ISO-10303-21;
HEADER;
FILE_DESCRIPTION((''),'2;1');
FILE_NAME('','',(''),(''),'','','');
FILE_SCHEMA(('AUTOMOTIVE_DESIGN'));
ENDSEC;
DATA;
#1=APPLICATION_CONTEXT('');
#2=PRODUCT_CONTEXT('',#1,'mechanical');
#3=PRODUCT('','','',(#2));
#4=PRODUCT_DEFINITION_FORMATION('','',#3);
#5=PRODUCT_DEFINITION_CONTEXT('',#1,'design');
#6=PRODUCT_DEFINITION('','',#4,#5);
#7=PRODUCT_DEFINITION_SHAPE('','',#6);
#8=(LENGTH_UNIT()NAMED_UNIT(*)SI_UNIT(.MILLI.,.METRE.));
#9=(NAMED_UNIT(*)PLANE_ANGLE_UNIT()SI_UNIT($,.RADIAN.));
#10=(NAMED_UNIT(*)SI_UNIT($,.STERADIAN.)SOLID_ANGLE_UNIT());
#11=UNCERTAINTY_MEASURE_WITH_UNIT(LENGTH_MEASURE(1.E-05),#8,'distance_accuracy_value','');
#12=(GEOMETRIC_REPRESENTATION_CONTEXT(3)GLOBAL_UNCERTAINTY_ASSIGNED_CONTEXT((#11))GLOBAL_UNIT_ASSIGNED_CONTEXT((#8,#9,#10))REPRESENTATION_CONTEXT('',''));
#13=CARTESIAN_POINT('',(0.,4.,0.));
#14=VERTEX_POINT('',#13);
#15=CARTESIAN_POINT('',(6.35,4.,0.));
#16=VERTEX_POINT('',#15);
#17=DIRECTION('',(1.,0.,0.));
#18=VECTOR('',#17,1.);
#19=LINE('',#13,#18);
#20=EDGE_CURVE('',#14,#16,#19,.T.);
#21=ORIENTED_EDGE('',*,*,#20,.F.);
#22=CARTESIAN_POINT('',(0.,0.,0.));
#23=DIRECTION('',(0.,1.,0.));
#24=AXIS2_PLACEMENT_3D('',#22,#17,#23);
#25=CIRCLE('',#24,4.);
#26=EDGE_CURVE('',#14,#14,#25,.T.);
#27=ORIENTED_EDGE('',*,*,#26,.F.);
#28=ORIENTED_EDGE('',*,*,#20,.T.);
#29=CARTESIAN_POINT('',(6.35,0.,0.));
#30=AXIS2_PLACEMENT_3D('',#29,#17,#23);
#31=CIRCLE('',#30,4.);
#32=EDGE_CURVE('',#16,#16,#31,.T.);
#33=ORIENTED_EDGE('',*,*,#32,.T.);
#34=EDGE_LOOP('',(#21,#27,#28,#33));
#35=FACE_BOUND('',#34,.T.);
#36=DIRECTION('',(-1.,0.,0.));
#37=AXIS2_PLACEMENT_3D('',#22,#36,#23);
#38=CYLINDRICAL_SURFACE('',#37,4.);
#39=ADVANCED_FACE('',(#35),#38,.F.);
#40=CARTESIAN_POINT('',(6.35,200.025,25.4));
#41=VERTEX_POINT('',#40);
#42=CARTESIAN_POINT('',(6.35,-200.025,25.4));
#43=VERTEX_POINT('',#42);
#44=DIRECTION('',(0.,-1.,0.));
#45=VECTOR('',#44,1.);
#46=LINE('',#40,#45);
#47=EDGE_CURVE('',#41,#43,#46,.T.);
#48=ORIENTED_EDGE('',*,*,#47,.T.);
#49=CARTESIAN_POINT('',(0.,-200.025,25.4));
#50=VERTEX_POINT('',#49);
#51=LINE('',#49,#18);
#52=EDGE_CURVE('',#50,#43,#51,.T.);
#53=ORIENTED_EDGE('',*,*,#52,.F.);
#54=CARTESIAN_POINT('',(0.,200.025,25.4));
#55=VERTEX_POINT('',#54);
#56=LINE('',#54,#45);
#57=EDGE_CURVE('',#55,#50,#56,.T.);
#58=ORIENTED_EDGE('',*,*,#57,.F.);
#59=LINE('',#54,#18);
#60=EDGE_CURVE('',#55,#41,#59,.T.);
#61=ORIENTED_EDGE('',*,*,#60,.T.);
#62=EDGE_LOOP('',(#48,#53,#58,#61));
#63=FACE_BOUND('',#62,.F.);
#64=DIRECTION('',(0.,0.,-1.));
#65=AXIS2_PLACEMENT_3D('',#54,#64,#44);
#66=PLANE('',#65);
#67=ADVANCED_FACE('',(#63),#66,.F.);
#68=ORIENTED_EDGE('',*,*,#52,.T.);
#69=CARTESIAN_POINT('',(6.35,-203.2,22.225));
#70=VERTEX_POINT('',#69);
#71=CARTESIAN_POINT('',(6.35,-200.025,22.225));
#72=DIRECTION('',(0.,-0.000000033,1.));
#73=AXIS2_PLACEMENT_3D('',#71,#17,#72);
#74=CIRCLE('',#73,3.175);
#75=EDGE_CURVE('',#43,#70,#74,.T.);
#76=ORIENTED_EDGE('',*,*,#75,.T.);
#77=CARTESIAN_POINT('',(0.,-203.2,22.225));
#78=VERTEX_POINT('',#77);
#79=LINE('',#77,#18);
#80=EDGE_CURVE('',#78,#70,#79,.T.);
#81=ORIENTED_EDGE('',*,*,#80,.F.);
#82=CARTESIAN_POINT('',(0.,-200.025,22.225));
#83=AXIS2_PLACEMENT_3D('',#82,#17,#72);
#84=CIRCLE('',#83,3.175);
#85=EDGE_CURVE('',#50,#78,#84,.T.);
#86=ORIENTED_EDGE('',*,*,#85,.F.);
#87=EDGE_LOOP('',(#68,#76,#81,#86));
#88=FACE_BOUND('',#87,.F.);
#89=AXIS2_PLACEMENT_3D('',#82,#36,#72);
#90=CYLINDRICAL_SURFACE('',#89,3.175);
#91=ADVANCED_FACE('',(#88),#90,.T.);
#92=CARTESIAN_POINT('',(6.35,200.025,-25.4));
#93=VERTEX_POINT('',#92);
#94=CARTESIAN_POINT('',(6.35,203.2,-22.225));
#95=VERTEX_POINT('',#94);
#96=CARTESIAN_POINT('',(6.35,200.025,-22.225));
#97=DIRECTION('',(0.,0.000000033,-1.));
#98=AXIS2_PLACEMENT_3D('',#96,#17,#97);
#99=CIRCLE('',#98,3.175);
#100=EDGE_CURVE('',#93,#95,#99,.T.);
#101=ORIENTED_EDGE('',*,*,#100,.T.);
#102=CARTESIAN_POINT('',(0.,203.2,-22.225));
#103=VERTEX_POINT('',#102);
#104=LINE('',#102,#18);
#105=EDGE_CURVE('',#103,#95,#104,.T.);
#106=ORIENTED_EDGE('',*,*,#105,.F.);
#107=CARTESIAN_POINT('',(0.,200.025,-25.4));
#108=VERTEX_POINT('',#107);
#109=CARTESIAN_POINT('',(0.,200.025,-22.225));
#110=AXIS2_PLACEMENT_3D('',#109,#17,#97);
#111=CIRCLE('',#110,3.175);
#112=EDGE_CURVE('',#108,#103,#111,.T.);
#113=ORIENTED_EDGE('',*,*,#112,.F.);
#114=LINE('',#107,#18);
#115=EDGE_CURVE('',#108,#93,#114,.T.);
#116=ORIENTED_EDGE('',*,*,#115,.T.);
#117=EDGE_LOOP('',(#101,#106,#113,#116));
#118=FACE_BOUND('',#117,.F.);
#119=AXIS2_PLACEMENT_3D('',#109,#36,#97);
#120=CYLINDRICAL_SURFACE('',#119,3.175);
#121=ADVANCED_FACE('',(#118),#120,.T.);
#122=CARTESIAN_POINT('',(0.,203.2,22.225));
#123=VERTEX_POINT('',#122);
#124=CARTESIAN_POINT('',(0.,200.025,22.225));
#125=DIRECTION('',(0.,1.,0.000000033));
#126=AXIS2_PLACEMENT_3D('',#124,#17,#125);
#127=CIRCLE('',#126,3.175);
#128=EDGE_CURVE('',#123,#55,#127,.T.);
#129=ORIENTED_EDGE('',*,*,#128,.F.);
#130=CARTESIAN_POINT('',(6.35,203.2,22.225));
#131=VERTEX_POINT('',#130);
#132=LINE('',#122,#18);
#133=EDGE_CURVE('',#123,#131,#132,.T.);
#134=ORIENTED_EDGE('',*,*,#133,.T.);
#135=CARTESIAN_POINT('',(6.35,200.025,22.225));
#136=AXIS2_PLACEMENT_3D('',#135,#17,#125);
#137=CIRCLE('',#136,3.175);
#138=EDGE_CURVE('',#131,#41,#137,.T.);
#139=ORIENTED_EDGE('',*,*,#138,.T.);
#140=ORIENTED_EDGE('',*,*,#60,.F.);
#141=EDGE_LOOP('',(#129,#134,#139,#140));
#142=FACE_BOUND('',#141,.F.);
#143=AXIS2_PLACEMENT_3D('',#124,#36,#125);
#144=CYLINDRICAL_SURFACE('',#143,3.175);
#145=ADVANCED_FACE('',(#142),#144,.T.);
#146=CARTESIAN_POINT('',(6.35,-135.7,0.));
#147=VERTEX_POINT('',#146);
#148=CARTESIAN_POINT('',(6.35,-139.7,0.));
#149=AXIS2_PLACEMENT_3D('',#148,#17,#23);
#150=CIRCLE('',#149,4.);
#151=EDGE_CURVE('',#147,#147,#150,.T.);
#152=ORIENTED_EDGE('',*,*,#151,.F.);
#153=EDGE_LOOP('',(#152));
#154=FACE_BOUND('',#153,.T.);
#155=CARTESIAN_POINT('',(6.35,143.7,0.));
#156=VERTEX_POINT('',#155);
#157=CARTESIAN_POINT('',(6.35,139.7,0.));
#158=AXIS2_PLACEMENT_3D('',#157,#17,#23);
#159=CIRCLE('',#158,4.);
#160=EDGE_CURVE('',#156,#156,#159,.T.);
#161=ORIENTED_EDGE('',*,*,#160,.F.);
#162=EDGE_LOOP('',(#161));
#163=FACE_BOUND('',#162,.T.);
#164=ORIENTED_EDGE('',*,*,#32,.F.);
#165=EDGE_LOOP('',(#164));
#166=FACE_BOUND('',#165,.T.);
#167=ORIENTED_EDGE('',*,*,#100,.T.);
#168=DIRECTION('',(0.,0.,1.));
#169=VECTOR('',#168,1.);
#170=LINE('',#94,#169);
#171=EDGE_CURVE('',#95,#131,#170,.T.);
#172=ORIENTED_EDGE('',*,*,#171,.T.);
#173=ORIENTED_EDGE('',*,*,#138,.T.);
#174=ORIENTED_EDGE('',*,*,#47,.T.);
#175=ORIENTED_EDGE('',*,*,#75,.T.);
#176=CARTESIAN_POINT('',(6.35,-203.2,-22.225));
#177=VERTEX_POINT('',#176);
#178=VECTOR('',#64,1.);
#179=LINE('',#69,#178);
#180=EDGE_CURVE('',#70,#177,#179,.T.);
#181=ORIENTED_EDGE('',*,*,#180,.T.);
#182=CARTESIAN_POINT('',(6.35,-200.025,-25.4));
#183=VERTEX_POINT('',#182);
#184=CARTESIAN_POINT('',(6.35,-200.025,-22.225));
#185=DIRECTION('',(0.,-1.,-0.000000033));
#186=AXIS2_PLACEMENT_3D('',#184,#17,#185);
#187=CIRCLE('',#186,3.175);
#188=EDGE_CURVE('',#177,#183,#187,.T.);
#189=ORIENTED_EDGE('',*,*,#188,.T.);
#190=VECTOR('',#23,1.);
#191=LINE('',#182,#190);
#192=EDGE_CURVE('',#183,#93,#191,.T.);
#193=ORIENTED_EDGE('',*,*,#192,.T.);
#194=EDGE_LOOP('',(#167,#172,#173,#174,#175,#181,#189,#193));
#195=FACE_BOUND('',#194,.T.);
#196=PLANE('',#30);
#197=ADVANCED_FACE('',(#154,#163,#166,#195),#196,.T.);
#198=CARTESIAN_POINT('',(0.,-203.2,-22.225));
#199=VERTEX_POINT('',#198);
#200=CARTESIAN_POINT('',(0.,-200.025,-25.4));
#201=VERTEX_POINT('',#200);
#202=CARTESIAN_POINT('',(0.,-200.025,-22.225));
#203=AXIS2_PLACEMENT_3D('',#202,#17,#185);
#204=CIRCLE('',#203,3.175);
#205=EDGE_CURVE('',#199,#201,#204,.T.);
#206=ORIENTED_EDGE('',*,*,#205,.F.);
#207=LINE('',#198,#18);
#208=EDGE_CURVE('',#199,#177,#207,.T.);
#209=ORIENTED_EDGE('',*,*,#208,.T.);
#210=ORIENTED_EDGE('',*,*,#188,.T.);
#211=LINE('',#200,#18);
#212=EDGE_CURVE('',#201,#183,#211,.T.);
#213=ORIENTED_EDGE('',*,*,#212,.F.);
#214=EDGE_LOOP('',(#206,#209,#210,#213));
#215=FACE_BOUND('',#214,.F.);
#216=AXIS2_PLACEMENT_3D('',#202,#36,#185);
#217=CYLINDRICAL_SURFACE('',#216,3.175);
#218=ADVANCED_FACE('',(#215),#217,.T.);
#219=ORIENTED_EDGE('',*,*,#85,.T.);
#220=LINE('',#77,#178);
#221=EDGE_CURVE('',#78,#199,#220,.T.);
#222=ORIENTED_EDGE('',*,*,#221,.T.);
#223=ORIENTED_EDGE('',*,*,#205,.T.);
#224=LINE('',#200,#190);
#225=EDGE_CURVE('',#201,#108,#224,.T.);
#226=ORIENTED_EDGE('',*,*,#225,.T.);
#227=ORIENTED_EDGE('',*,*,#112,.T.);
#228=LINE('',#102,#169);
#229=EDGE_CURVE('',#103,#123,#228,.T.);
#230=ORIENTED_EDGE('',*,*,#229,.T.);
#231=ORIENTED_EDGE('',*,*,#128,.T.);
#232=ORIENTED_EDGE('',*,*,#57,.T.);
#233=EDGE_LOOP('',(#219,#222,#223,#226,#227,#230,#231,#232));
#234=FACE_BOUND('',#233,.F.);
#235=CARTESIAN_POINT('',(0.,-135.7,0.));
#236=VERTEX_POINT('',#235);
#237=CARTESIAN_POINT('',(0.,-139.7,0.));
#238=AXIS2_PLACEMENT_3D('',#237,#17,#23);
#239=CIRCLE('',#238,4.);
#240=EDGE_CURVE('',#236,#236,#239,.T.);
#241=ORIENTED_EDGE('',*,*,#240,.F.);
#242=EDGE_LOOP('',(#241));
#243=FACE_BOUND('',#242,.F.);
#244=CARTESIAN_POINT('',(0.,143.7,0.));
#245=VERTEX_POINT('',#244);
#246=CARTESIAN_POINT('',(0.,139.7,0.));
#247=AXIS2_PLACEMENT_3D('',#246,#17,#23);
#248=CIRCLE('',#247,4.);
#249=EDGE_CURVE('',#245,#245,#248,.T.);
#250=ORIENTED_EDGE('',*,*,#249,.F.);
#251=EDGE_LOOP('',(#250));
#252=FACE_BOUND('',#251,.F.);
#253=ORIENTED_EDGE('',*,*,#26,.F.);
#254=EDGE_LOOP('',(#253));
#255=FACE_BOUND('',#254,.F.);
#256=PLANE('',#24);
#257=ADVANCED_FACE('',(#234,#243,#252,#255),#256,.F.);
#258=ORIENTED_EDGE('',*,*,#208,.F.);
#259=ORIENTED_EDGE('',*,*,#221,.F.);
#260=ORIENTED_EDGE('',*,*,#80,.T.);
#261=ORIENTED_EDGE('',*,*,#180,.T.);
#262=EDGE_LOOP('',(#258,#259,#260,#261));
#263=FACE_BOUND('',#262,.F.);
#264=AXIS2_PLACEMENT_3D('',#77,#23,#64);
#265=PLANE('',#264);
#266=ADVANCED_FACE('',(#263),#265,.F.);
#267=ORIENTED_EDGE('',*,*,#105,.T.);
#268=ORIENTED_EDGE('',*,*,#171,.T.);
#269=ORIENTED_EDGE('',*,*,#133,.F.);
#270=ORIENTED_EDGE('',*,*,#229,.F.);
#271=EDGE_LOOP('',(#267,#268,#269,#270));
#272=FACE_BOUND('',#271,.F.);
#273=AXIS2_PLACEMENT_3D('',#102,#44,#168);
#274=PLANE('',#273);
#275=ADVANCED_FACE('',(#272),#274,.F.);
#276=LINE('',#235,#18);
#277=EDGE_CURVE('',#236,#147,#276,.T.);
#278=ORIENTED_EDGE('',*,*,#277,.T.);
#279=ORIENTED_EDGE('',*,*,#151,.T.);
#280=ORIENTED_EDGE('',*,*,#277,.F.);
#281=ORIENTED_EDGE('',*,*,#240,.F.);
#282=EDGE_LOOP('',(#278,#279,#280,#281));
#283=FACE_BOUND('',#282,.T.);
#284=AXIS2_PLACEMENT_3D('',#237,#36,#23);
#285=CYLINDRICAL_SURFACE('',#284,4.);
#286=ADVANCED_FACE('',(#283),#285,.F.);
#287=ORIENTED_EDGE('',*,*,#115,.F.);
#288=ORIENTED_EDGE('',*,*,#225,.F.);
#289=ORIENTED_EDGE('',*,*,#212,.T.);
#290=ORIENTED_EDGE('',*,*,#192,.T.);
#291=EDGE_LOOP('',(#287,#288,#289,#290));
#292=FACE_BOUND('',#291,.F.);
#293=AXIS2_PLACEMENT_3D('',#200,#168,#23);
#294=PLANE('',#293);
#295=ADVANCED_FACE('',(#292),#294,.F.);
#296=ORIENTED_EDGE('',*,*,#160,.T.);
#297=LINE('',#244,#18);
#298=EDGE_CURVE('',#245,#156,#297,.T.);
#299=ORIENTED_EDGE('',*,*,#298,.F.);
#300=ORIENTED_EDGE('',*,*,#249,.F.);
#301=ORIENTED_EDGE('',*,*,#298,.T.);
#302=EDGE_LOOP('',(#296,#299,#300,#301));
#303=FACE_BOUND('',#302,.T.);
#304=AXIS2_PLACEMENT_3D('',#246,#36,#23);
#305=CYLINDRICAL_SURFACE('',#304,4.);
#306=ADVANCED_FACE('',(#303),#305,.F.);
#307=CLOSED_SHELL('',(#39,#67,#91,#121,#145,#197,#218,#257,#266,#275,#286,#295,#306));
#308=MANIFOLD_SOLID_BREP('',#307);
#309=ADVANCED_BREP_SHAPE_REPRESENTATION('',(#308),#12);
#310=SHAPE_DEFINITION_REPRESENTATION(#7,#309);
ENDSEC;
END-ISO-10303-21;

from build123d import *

# Parameters (mm, degrees)
F0_R     = 4
F1_DEPTH = 6.35


with BuildPart() as f1:
    # F0 (on Right) → F1 (new body)
    with BuildSketch(Plane.YZ):
        with BuildLine():
            ThreePointArc((203.2, 22.225), (202.270064, 24.470064), (200.025, 25.4))
            Line((200.025, 25.4), (-200.025, 25.4))
            ThreePointArc((-200.025, 25.4), (-202.270064, 24.470064), (-203.2, 22.225))
            Line((-203.2, 22.225), (-203.2, -22.225))
            ThreePointArc((-203.2, -22.225), (-202.270064, -24.470064), (-200.025, -25.4))
            Line((-200.025, -25.4), (200.025, -25.4))
            ThreePointArc((200.025, -25.4), (202.270064, -24.470064), (203.2, -22.225))
            Line((203.2, -22.225), (203.2, 22.225))
        make_face()
        with Locations((-139.7, 0)):
            Circle(F0_R, mode=Mode.SUBTRACT)
        Circle(F0_R, mode=Mode.SUBTRACT)
        with Locations((139.7, 0)):
            Circle(F0_R, mode=Mode.SUBTRACT)
    extrude(amount=F1_DEPTH)


solid = f1.part
